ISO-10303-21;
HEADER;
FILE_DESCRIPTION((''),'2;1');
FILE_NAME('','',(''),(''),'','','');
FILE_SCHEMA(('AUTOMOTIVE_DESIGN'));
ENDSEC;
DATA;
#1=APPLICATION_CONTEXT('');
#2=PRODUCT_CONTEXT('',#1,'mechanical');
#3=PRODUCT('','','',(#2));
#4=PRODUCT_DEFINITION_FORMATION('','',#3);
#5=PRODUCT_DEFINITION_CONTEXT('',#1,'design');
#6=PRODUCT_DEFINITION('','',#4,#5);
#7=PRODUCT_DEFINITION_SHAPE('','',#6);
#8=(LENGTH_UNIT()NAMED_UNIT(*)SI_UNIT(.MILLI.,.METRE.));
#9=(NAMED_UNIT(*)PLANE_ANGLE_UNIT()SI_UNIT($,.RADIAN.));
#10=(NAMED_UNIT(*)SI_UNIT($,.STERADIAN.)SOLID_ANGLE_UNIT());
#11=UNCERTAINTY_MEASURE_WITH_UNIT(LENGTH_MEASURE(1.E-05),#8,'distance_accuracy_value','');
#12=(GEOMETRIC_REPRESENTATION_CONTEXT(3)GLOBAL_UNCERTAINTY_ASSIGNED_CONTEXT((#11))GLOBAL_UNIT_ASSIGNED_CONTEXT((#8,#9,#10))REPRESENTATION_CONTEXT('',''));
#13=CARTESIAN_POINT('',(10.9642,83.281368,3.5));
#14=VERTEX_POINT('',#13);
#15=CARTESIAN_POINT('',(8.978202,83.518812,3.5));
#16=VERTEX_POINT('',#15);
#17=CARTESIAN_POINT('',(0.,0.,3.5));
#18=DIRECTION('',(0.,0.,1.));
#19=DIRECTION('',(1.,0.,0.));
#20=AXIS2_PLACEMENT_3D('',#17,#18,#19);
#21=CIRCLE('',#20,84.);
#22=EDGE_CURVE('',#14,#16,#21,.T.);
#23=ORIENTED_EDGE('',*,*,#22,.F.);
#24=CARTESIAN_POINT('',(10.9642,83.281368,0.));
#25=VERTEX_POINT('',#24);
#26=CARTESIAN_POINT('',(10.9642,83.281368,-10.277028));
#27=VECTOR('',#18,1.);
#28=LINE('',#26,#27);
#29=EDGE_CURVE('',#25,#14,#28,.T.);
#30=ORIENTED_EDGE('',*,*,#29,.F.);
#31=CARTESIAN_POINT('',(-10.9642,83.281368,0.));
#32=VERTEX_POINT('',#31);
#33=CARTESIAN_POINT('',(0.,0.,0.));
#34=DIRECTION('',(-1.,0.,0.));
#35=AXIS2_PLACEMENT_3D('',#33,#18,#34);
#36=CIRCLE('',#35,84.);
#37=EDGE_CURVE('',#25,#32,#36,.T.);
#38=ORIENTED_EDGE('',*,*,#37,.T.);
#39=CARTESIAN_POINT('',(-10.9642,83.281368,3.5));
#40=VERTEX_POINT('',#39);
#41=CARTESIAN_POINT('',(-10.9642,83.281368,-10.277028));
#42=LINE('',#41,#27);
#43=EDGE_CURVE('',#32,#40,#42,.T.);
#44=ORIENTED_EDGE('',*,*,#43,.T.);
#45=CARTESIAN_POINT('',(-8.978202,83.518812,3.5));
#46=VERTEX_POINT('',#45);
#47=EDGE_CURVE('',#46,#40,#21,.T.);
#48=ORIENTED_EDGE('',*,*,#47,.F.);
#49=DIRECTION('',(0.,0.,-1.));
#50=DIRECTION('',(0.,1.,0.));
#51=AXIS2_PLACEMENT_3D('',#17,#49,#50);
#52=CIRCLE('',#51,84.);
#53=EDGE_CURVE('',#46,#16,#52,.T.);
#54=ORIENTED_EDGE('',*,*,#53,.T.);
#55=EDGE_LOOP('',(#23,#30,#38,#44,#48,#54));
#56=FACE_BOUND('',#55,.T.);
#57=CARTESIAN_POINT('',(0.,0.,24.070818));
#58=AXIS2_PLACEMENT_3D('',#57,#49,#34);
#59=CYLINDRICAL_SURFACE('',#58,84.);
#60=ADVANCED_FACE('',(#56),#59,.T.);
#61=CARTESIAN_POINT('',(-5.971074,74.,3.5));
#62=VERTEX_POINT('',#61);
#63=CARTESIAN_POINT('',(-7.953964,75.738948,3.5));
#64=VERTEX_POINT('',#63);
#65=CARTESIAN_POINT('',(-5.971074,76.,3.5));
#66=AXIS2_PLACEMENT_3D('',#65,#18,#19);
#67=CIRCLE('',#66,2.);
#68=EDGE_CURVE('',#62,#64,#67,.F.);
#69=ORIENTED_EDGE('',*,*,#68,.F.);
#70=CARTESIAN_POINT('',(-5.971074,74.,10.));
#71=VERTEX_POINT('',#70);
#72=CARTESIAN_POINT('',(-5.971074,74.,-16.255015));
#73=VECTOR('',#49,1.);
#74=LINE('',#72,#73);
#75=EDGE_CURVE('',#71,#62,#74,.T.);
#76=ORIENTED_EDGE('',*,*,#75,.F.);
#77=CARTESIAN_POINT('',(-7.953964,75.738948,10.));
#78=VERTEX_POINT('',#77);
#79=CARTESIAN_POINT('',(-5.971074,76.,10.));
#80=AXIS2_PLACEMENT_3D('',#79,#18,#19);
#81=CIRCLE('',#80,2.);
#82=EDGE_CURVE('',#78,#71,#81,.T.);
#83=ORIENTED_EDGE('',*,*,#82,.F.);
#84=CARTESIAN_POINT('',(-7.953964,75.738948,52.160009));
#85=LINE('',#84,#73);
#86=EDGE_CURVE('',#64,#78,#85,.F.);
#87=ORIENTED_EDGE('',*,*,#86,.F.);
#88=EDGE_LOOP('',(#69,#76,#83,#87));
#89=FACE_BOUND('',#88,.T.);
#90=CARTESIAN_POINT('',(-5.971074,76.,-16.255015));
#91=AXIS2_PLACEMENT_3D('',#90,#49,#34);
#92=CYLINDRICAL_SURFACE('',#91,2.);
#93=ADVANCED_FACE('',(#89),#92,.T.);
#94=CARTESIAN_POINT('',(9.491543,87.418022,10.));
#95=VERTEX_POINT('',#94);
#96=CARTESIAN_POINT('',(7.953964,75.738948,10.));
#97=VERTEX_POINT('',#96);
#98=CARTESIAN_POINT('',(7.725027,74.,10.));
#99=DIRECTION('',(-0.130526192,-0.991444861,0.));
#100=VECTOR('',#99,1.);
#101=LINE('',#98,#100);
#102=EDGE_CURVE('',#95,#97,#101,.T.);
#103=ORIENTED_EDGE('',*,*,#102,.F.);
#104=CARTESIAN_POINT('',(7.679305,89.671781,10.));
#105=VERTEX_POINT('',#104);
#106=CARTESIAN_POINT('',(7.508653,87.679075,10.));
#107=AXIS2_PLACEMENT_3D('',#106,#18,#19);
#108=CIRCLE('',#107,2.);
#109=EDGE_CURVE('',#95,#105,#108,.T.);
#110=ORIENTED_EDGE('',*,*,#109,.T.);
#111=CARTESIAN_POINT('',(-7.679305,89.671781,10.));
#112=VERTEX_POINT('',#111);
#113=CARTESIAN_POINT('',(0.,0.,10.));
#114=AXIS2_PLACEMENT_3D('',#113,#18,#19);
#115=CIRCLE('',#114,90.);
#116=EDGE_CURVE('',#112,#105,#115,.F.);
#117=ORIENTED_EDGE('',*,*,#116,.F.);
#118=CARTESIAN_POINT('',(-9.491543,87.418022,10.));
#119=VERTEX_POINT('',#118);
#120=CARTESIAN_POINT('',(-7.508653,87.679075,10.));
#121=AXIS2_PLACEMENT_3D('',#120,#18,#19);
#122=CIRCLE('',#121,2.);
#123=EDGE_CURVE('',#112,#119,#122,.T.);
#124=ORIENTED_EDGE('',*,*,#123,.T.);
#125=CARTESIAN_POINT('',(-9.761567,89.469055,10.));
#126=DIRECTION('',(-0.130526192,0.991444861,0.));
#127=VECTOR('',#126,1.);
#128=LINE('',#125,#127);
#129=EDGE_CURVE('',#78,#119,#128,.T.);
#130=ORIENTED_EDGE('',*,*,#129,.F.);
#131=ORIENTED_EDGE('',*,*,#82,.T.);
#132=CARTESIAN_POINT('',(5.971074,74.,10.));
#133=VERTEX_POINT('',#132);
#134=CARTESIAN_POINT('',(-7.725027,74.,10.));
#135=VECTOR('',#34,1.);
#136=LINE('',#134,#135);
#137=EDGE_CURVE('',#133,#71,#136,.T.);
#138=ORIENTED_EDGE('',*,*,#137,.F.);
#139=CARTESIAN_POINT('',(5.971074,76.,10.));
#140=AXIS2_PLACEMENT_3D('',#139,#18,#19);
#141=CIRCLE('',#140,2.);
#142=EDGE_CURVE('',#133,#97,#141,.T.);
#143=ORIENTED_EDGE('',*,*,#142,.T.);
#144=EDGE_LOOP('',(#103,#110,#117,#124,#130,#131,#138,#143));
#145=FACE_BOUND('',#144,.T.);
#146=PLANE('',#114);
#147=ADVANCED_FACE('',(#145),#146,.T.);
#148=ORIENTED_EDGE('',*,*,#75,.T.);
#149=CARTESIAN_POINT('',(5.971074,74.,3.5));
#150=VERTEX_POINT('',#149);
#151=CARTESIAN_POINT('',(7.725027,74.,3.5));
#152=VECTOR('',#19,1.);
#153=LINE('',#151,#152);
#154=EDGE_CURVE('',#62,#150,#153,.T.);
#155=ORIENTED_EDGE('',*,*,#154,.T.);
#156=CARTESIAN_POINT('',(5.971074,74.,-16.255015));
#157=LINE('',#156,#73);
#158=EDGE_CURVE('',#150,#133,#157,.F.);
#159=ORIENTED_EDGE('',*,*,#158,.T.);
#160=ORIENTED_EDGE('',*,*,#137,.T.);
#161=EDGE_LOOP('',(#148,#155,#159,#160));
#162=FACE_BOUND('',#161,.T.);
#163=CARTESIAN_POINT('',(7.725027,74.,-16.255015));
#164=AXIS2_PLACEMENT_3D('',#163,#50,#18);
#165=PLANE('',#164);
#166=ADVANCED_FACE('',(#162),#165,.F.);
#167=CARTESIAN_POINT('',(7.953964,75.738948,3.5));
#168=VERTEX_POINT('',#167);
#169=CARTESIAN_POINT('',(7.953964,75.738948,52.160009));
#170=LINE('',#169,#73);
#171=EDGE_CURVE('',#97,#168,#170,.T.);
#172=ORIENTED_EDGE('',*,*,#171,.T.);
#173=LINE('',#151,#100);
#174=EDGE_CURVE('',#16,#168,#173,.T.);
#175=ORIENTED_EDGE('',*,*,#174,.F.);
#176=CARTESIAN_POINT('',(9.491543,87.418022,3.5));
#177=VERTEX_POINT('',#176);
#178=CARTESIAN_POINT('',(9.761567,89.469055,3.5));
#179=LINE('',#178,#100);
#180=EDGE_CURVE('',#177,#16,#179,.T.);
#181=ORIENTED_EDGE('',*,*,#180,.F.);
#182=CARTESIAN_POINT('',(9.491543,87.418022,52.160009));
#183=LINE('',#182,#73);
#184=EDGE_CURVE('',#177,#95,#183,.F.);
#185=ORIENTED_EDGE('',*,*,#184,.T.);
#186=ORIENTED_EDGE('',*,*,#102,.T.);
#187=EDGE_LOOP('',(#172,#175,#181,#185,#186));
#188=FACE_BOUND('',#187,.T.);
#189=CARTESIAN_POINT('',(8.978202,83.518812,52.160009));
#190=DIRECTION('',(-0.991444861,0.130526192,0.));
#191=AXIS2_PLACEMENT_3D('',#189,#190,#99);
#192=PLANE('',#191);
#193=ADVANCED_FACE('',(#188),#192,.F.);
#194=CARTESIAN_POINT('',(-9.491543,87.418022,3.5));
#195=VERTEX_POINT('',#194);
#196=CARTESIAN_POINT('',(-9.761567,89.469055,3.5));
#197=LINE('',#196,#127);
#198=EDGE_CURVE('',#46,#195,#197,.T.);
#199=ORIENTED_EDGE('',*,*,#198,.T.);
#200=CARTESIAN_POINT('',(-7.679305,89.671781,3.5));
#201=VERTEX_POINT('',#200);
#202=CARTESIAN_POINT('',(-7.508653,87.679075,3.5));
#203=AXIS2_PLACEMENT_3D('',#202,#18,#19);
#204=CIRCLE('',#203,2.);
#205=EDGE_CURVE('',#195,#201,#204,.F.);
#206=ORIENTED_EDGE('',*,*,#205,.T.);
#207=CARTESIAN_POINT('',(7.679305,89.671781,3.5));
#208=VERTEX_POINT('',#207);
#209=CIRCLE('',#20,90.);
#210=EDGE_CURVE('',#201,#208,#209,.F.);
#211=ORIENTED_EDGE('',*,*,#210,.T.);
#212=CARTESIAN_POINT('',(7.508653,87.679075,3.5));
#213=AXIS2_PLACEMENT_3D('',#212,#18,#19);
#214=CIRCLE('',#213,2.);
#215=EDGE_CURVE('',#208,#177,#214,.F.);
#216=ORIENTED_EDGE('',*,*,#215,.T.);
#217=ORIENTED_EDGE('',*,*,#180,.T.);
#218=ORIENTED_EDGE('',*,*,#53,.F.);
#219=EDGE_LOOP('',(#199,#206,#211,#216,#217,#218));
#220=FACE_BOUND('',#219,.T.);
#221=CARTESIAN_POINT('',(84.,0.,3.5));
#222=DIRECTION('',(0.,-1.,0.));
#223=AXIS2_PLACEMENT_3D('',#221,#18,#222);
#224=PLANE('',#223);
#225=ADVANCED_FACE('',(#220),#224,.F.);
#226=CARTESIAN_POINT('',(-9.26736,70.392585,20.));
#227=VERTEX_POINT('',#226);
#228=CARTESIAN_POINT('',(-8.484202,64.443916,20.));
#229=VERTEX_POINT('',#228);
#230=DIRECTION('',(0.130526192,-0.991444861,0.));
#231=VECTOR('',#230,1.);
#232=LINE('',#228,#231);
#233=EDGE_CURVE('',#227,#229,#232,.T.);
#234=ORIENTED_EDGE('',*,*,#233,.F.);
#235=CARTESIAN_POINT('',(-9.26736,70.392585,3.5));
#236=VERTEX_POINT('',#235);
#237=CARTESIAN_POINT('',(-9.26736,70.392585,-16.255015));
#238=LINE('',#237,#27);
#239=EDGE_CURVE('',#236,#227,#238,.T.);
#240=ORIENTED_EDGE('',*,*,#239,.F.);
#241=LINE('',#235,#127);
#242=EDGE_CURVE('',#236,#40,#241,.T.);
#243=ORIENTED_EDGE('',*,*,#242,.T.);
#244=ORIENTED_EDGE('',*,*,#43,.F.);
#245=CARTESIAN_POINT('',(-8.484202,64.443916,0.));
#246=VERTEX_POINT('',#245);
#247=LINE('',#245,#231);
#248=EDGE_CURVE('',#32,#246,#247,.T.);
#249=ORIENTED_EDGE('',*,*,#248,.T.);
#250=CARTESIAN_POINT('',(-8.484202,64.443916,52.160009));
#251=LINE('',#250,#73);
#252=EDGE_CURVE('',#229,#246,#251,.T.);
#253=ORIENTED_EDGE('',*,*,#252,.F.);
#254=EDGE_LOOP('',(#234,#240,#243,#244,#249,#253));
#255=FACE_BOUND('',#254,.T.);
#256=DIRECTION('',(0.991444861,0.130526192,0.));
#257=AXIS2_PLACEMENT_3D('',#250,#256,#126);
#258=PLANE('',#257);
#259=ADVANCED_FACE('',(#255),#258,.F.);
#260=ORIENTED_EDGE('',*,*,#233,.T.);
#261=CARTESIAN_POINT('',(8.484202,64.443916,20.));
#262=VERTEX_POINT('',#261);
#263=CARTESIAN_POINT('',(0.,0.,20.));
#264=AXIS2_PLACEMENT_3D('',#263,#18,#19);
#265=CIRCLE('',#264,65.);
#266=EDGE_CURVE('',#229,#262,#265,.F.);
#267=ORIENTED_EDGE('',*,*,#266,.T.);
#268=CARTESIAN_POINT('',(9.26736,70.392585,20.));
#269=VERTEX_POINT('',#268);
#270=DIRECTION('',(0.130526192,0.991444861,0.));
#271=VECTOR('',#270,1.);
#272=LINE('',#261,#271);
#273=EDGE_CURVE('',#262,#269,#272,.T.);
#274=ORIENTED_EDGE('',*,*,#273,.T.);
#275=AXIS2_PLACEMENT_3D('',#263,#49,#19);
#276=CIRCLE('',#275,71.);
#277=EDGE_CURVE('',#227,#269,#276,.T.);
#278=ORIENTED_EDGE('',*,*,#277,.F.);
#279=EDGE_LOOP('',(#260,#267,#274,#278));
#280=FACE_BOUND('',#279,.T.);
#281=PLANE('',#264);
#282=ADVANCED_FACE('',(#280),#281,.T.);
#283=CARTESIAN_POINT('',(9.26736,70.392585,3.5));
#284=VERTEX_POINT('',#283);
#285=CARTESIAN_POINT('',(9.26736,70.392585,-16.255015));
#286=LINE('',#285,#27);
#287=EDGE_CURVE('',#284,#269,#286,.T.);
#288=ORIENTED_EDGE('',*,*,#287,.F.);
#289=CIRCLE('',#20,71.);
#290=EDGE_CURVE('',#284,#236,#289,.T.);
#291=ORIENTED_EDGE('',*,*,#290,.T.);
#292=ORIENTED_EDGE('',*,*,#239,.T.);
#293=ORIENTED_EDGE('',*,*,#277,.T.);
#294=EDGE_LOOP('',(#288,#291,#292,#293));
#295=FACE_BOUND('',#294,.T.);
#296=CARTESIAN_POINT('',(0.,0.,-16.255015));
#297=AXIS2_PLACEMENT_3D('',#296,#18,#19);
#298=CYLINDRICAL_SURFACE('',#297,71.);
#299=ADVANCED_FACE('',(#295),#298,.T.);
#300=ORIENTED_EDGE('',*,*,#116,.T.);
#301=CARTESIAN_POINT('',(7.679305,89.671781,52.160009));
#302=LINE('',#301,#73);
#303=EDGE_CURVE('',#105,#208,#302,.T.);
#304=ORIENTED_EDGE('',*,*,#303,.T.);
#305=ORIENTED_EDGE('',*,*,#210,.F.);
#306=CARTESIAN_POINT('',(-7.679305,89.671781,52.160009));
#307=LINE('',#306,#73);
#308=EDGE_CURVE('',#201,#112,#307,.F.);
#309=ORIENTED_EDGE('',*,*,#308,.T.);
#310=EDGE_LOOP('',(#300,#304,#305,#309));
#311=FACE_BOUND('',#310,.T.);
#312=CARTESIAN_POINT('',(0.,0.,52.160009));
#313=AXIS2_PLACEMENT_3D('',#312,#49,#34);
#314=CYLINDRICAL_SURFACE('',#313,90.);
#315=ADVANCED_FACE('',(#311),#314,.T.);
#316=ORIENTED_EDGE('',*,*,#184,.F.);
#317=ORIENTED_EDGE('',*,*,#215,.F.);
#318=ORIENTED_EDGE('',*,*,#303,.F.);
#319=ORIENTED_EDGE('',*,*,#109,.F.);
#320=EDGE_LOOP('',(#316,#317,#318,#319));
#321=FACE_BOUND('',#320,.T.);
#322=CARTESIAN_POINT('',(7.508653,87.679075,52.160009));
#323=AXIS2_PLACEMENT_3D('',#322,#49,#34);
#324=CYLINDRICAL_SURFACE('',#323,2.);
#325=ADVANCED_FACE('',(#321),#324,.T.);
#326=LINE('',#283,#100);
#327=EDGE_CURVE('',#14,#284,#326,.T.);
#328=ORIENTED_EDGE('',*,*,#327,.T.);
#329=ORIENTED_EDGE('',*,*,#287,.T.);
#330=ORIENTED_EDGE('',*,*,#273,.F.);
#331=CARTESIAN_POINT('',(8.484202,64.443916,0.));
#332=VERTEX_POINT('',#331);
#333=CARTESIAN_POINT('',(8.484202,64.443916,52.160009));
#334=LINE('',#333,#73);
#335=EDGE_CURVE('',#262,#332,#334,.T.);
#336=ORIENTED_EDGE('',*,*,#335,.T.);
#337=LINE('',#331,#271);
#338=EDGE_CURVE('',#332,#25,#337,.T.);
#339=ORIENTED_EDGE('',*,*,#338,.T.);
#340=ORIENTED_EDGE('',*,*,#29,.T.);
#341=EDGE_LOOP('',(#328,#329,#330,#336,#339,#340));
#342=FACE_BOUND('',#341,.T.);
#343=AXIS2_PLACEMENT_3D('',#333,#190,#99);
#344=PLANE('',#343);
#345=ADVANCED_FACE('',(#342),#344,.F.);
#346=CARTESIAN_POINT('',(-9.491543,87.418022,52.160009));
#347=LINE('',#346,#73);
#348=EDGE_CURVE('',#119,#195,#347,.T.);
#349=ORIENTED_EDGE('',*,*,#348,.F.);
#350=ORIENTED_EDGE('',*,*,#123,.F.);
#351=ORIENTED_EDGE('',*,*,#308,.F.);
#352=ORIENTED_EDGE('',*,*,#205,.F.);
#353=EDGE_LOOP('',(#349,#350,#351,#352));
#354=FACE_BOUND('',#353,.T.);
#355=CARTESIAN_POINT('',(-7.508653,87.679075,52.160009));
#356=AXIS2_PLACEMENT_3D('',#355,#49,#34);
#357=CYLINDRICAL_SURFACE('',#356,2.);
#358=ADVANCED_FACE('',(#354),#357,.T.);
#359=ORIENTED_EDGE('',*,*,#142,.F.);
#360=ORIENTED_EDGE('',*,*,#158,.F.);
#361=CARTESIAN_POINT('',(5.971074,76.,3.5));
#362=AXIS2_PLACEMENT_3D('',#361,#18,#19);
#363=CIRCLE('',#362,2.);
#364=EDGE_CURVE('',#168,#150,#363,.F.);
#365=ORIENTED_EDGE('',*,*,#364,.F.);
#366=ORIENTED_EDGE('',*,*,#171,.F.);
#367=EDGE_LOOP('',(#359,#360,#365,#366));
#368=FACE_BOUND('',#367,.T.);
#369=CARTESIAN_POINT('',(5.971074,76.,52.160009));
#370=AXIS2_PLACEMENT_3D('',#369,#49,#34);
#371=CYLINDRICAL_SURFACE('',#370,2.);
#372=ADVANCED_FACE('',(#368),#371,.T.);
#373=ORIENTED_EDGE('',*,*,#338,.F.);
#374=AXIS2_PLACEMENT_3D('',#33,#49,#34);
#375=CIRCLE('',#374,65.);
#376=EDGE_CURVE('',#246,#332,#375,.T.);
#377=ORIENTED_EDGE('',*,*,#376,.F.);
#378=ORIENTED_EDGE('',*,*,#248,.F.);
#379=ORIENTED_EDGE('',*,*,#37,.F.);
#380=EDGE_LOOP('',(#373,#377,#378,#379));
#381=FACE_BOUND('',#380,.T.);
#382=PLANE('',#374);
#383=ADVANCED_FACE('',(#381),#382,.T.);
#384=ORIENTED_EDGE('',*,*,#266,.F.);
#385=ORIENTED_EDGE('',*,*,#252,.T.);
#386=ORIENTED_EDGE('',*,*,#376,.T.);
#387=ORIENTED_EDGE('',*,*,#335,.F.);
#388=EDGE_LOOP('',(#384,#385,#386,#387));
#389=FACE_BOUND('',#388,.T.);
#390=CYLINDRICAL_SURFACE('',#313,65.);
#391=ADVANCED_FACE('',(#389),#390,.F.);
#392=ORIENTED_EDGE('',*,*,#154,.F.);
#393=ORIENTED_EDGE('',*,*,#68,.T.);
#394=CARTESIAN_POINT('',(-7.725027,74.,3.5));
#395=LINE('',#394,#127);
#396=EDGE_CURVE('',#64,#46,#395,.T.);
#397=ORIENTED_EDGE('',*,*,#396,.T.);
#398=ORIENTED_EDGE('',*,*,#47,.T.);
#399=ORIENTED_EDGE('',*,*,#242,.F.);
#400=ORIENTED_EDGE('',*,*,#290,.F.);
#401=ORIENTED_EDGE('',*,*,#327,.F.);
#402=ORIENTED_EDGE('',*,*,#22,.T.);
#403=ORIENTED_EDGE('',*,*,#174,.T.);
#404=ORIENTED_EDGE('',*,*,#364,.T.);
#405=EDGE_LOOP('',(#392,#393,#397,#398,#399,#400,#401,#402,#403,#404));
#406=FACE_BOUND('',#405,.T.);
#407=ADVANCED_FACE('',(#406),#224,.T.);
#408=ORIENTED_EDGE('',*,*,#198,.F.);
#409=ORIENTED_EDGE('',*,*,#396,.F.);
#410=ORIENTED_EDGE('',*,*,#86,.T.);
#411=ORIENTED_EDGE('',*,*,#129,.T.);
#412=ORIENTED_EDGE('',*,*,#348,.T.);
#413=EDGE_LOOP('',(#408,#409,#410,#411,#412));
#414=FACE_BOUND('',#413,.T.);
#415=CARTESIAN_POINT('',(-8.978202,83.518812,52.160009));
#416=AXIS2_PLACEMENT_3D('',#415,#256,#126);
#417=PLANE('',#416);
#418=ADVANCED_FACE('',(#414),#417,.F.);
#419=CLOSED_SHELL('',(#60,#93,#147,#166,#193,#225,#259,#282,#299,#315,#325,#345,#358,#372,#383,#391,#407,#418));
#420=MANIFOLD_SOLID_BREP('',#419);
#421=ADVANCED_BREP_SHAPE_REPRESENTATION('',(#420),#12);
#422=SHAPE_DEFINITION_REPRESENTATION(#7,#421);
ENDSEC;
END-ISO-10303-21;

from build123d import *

# Parameters (mm, degrees)
BOSS_EXTRUDE1_DEPTH = 20
CUT_EXTRUDE1_START  = -3.5
CUT_EXTRUDE1_DEPTH  = 3.5
CUT_EXTRUDE2_START  = -16.5
CUT_EXTRUDE2_DEPTH  = 16.5
CUT_EXTRUDE3_START  = -10
CUT_EXTRUDE3_DEPTH  = 10
BOSS_EXTRUDE2_START = -3.5
BOSS_EXTRUDE2_DEPTH = 3.5
FILLET1_R           = 2


with BuildPart() as part:
    # Sketch1 → Boss-Extrude1 (new body)
    with BuildSketch(Plane.XY):
        with BuildLine():
            Line((-8.978202217, 83.518811563), (-7.7250269, 74))
            ThreePointArc((-7.7250269, 74), (-8.71901412, 73.889477149), (-9.711425926, 73.765603414))
            Line((-9.711425926, 73.765603414), (-8.484202494, 64.443915989))
            ThreePointArc((-8.484202494, 64.443915989), (0, 65), (8.484202494, 64.443915989))
            Line((8.484202494, 64.443915989), (9.711425926, 73.765603414))
            ThreePointArc((9.711425926, 73.765603414), (8.71901412, 73.889477149), (7.7250269, 74))
            Line((7.7250269, 74), (8.978202217, 83.518811563))
            Line((8.978202217, 83.518811563), (9.761566637, 89.469055079))
            ThreePointArc((9.761566637, 89.469055079), (0, 90), (-9.761566637, 89.469055079))
            Line((-9.761566637, 89.469055079), (-8.978202217, 83.518811563))
        make_face()
    extrude(amount=BOSS_EXTRUDE1_DEPTH)

    # Sketch2 → Cut-Extrude1 (cut)
    with BuildSketch(Plane(origin=(0, 0, 0), x_dir=(-1, 0, 0), z_dir=(0, 0, -1)).offset(CUT_EXTRUDE1_START)):
        with BuildLine():
            Line((-9.761566637, 89.469055079), (-8.978202217, 83.518811563))
            ThreePointArc((-8.978202217, 83.518811563), (0, 84), (8.978202217, 83.518811563))
            Line((8.978202217, 83.518811563), (9.761566637, 89.469055079))
            ThreePointArc((9.761566637, 89.469055079), (0, 90), (-9.761566637, 89.469055079))
        make_face()
    extrude(amount=CUT_EXTRUDE1_DEPTH, mode=Mode.SUBTRACT)

    # Sketch3 → Cut-Extrude2 (cut)
    with BuildSketch(Plane.XY.offset(20).offset(CUT_EXTRUDE2_START)):
        with BuildLine():
            Line((7.7250269, 74), (-7.7250269, 74))
            ThreePointArc((-7.7250269, 74), (-8.71901412, 73.889477149), (-9.711425926, 73.765603414))
            Line((-9.711425926, 73.765603414), (-9.267359648, 70.392585158))
            ThreePointArc((-9.267359648, 70.392585158), (0, 71), (9.267359648, 70.392585158))
            Line((9.267359648, 70.392585158), (9.711425926, 73.765603414))
            ThreePointArc((9.711425926, 73.765603414), (8.71901412, 73.889477149), (7.7250269, 74))
        make_face()
    extrude(amount=CUT_EXTRUDE2_DEPTH, mode=Mode.SUBTRACT)

    # Sketch4 → Cut-Extrude3 (cut)
    with BuildSketch(Plane.XY.offset(20).offset(CUT_EXTRUDE3_START)):
        with BuildLine():
            Line((-7.7250269, 74), (7.7250269, 74))
            Line((7.7250269, 74), (9.761566637, 89.469055079))
            ThreePointArc((9.761566637, 89.469055079), (0, 90), (-9.761566637, 89.469055079))
            Line((-9.761566637, 89.469055079), (-7.7250269, 74))
        make_face()
    extrude(amount=CUT_EXTRUDE3_DEPTH, mode=Mode.SUBTRACT)

    # Sketch5 → Boss-Extrude2 (add)
    with BuildSketch(Plane.XY.offset(3.5).offset(BOSS_EXTRUDE2_START)):
        with BuildLine():
            Line((9.711425926, 73.765603414), (10.964200146, 83.281368355))
            ThreePointArc((10.964200146, 83.281368355), (9.971907933, 83.406001296), (8.978202217, 83.518811563))
            Line((8.978202217, 83.518811563), (7.7250269, 74))
            ThreePointArc((7.7250269, 74), (8.71901412, 73.889477149), (9.711425926, 73.765603414))
        make_face()
        with BuildLine():
            Line((-9.711425926, 73.765603414), (-10.964200146, 83.281368355))
            ThreePointArc((-10.964200146, 83.281368355), (-9.971907933, 83.406001296), (-8.978202217, 83.518811563))
            Line((-8.978202217, 83.518811563), (-7.7250269, 74))
            ThreePointArc((-7.7250269, 74), (-8.71901412, 73.889477149), (-9.711425926, 73.765603414))
        make_face()
    extrude(amount=BOSS_EXTRUDE2_DEPTH)

    # Fillet1
    fillet1_edges = [part.edges().sort_by_distance(p)[0] for p in [
        (7.7250269, 74, 6.75),
        (-7.7250269, 74, 6.75),
        (9.761566637, 89.469055079, 6.75),
        (-9.761566637, 89.469055079, 6.75),
    ]]
    fillet(fillet1_edges, radius=FILLET1_R)


solid = part.part
